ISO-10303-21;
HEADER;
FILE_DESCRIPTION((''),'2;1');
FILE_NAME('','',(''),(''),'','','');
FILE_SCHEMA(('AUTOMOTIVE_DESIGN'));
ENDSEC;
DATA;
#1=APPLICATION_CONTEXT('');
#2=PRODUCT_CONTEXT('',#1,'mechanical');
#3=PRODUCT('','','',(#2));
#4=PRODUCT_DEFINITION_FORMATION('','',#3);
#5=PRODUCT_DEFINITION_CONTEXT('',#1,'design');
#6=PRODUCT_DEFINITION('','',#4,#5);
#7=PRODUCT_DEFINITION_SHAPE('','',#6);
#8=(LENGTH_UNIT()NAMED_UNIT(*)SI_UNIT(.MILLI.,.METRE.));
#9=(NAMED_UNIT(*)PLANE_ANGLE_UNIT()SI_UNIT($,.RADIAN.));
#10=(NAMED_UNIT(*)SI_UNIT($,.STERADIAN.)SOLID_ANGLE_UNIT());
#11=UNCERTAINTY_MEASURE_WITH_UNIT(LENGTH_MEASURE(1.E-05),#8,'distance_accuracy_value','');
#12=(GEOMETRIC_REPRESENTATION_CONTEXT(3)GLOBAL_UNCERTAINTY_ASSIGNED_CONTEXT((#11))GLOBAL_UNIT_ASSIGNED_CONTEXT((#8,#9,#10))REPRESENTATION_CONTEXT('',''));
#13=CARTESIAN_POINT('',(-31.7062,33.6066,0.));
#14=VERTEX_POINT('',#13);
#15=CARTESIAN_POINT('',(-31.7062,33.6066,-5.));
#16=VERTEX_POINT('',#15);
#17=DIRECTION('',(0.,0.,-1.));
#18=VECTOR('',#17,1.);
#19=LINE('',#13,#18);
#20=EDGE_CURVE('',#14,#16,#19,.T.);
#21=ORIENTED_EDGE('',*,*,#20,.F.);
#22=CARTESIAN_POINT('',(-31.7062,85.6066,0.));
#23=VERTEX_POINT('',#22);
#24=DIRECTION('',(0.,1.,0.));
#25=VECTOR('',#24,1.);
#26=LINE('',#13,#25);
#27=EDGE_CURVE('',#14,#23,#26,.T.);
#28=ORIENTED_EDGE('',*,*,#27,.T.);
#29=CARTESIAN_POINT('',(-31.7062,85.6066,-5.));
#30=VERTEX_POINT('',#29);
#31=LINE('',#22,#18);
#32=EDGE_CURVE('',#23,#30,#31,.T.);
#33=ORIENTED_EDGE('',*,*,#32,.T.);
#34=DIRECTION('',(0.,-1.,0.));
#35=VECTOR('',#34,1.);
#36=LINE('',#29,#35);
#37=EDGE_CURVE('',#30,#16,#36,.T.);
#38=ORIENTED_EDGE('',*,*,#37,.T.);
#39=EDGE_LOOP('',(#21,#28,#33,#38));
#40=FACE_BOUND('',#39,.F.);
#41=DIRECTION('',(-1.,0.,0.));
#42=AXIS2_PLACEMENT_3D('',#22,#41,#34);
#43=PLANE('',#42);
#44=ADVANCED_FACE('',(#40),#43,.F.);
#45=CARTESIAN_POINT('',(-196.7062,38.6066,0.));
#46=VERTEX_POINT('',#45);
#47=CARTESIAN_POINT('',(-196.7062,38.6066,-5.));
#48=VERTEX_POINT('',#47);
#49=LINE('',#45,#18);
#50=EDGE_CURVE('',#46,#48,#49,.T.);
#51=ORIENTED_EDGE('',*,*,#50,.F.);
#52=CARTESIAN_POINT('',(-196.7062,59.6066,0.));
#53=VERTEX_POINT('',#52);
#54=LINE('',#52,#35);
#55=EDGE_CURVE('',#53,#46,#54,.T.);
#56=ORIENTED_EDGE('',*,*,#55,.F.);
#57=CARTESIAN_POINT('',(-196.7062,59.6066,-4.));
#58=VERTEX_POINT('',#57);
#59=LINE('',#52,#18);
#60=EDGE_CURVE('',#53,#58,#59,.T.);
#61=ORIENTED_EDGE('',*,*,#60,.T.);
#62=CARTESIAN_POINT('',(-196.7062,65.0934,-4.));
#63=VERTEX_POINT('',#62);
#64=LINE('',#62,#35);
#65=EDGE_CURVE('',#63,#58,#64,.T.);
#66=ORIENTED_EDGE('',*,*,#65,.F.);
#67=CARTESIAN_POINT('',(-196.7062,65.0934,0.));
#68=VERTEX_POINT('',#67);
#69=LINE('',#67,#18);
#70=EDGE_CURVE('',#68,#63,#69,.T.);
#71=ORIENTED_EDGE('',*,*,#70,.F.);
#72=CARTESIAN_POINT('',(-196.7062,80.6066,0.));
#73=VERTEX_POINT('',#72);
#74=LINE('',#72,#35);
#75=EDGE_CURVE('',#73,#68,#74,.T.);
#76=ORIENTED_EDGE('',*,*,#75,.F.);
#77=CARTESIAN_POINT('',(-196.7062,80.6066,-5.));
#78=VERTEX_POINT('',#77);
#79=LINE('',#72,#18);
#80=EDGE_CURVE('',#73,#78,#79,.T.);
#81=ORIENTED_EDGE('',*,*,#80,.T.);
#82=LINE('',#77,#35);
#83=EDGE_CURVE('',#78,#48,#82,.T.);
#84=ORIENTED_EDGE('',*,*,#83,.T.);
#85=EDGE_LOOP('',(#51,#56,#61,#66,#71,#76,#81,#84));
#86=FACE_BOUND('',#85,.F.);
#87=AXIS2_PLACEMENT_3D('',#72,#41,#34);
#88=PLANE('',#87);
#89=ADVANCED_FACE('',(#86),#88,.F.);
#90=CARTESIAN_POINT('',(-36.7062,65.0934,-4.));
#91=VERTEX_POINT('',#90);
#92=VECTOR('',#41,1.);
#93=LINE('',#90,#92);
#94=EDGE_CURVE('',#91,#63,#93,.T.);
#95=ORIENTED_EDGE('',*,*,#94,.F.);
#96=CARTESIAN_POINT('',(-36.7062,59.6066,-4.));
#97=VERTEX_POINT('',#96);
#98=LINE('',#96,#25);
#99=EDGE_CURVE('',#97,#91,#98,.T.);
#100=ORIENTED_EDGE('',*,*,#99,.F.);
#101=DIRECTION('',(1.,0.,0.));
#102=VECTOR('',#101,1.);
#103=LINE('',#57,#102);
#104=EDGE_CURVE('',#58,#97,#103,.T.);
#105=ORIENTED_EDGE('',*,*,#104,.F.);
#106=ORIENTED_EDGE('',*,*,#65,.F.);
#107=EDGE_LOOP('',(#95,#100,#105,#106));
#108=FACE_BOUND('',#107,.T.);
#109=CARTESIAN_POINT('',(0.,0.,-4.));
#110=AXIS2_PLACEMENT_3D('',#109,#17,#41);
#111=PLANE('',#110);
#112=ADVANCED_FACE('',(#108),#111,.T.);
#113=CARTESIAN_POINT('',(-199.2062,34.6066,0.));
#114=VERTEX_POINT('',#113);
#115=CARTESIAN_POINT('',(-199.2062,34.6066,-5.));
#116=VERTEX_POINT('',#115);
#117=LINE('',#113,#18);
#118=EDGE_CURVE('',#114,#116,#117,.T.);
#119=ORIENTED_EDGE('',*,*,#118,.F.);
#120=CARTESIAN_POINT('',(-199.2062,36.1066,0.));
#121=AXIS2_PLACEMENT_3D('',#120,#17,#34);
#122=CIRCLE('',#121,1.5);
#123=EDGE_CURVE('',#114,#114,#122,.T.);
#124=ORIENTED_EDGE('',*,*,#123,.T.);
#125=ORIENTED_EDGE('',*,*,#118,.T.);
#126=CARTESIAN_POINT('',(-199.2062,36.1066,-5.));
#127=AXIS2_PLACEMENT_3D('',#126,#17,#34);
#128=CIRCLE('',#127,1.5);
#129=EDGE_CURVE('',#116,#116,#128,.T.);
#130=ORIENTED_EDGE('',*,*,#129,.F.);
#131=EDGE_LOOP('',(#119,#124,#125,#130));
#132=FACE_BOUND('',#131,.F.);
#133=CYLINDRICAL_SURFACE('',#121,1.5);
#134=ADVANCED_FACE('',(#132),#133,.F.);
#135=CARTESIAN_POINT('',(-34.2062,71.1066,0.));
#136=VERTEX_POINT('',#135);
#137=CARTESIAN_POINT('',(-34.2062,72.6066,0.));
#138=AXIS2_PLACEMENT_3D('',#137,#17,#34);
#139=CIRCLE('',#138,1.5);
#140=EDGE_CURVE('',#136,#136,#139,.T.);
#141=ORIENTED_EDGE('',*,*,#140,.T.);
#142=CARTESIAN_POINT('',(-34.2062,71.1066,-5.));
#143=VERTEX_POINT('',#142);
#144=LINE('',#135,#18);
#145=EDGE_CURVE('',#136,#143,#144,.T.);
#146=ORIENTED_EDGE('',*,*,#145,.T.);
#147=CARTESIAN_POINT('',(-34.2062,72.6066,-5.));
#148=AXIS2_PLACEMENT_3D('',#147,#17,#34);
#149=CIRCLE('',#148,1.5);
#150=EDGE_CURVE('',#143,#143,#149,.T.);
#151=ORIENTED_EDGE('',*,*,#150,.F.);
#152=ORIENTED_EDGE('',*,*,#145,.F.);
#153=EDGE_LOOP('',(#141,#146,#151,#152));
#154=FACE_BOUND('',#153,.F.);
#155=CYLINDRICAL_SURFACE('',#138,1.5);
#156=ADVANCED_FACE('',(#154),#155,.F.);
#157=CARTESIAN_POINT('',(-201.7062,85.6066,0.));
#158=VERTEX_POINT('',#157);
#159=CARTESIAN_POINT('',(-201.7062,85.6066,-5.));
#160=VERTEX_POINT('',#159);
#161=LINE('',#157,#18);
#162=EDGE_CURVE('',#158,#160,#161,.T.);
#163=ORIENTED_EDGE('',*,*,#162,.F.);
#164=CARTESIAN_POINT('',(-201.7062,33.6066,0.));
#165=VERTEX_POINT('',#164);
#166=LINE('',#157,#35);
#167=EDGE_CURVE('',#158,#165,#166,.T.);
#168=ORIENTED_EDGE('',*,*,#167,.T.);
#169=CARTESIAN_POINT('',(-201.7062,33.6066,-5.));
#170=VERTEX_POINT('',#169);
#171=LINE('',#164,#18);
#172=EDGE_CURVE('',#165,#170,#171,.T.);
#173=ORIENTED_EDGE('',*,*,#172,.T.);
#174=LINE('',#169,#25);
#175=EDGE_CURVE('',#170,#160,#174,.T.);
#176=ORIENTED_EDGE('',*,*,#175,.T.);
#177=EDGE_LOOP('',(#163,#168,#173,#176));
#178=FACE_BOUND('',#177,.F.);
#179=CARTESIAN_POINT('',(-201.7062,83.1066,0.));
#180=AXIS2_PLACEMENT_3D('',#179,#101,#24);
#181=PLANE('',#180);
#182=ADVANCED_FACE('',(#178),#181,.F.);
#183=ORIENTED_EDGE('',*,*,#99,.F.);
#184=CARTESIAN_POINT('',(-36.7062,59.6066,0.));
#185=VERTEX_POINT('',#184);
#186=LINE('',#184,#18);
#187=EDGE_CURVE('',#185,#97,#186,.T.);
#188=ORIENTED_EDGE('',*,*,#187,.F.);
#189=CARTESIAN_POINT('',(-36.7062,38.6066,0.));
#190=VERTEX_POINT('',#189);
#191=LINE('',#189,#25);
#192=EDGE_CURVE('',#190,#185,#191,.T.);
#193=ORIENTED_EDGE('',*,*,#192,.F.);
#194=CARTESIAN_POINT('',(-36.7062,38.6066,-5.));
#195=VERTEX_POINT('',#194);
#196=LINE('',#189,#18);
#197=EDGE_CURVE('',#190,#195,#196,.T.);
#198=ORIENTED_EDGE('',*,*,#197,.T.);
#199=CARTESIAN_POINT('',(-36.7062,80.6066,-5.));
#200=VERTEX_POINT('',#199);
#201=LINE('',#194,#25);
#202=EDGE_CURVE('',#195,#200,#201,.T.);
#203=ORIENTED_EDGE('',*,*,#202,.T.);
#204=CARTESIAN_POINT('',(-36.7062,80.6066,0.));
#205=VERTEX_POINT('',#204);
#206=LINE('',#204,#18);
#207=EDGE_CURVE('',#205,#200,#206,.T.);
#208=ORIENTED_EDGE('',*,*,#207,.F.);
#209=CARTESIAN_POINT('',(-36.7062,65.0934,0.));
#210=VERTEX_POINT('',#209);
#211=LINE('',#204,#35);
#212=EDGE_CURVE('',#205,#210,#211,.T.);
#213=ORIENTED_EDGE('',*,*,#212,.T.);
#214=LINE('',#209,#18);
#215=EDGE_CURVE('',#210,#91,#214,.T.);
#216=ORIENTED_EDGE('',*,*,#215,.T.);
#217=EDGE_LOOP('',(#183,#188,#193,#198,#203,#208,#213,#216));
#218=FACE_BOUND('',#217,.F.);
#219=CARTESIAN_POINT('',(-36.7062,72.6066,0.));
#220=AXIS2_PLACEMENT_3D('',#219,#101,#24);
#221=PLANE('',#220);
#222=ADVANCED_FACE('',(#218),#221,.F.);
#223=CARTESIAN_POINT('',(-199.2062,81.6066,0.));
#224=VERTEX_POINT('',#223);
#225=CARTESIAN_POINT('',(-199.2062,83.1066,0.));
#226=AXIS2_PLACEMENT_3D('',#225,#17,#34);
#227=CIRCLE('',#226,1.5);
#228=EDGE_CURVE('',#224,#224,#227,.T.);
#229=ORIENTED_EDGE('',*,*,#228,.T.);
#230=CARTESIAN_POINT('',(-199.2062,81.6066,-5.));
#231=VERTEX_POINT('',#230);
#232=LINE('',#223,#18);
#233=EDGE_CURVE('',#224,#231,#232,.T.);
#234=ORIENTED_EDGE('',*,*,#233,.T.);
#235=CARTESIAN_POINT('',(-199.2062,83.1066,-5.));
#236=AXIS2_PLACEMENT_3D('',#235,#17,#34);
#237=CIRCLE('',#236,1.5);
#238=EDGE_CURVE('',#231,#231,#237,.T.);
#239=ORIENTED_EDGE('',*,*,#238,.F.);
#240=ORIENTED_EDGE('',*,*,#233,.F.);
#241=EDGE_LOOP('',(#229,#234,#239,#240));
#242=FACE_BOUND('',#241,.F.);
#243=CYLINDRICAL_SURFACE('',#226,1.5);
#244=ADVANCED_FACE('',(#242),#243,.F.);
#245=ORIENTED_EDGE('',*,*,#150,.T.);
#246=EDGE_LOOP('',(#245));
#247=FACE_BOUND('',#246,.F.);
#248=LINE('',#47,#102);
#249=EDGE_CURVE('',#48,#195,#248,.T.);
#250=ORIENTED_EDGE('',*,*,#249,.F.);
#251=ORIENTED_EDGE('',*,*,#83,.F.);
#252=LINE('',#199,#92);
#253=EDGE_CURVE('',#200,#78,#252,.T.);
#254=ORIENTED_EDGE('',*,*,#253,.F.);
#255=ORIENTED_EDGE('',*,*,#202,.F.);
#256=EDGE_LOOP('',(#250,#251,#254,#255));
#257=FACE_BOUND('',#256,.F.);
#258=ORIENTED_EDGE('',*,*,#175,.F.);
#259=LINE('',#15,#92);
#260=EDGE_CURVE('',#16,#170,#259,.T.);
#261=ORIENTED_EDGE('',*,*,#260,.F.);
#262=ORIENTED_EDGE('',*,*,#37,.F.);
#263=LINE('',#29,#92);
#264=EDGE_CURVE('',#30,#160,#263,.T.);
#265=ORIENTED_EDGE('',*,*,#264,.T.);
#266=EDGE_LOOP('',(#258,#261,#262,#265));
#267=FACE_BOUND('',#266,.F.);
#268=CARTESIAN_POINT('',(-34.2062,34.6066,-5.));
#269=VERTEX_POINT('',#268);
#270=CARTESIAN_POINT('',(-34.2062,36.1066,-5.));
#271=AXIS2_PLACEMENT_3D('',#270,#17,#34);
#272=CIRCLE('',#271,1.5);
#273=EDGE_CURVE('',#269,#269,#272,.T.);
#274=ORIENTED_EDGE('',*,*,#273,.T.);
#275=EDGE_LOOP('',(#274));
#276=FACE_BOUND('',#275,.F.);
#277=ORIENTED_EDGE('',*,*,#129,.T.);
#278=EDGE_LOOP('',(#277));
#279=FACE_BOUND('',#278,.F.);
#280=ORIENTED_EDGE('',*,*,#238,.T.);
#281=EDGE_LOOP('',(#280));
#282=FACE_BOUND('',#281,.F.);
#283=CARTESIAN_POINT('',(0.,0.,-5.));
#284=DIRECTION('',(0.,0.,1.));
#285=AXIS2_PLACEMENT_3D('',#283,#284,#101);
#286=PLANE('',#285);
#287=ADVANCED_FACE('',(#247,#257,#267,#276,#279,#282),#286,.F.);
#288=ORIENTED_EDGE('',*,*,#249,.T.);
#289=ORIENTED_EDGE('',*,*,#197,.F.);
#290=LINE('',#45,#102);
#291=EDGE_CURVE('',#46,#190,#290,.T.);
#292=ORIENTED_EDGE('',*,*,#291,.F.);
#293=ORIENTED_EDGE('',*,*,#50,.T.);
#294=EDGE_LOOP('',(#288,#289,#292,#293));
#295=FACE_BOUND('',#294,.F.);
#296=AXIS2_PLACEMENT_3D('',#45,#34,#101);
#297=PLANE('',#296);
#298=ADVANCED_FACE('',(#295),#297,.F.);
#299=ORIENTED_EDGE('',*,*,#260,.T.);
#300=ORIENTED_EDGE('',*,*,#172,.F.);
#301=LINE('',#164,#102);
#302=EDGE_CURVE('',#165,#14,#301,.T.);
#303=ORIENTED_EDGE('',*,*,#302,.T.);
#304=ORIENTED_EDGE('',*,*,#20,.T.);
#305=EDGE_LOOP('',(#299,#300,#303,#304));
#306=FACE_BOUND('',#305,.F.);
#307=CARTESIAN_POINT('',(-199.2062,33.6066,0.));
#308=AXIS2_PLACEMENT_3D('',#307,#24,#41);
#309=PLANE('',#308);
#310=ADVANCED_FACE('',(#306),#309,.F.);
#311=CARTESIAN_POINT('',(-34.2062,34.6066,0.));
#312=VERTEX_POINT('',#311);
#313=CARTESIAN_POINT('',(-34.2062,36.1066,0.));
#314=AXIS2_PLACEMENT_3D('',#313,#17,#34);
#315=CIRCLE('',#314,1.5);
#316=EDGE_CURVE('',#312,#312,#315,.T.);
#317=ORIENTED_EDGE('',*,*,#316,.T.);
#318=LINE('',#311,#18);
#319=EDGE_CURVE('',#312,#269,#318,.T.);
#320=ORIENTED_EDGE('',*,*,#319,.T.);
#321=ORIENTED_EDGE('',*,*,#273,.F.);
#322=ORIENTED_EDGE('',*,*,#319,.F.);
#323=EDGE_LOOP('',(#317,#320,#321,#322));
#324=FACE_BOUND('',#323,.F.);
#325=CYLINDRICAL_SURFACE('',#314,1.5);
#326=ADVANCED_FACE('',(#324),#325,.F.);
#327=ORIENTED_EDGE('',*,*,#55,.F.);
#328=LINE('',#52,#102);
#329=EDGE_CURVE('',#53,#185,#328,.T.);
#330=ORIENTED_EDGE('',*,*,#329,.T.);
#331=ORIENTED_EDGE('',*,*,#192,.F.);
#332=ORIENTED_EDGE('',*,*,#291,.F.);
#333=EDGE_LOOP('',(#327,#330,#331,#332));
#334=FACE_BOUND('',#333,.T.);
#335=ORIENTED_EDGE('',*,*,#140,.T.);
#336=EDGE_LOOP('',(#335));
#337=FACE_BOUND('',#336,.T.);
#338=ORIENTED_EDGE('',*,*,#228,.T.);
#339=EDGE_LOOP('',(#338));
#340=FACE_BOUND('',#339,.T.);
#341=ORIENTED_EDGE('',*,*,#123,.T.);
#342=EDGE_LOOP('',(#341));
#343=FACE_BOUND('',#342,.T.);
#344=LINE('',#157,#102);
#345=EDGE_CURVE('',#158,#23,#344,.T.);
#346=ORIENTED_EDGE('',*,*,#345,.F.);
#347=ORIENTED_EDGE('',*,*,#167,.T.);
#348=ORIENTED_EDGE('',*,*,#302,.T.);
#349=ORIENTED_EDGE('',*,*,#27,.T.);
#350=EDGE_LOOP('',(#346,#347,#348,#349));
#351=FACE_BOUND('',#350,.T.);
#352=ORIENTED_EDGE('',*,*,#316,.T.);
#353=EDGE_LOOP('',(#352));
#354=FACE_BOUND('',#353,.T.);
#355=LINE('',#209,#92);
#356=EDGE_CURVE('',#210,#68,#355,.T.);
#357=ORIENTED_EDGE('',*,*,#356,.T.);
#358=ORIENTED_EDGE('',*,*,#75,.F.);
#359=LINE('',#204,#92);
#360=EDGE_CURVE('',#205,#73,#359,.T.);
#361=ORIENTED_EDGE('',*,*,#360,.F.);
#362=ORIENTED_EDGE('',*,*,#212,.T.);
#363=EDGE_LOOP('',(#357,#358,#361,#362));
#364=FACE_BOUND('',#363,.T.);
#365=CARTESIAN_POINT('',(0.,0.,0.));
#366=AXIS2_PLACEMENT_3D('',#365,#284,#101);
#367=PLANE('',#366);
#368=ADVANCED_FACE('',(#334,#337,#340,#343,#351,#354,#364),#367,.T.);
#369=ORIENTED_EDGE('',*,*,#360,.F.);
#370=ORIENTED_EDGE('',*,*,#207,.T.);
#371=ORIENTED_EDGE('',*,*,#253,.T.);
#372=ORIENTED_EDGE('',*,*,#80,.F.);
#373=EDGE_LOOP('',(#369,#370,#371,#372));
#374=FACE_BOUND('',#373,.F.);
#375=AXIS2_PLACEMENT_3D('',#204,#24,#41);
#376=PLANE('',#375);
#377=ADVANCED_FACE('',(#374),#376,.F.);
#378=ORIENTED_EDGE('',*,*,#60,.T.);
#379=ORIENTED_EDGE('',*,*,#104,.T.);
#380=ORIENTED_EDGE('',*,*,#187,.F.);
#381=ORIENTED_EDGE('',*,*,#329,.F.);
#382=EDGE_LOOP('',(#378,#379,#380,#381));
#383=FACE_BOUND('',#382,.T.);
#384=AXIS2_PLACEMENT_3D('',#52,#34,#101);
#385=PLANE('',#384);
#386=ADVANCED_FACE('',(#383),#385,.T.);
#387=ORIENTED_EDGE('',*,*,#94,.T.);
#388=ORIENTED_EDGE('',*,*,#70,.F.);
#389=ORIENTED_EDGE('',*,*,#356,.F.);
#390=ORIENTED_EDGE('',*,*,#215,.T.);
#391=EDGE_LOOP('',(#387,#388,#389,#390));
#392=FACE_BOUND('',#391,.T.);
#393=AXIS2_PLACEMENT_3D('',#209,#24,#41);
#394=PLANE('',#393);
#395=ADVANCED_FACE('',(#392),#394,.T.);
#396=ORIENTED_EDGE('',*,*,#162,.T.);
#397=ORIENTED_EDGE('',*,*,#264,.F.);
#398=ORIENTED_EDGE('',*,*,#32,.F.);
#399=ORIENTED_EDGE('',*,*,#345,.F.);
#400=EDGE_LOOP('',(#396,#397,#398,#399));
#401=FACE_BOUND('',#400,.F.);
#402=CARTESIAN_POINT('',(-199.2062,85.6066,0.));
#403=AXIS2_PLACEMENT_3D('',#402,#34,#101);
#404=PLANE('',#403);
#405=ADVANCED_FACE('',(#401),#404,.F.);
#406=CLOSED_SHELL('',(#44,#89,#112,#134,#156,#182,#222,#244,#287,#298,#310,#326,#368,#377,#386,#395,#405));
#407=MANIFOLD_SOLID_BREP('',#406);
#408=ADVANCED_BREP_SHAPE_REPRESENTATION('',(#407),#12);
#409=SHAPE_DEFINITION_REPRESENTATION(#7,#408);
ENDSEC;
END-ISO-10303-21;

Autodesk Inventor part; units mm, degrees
ref_plane "YZ Plane" through (0, 0, 0) normal (1, 0, 0) x (0, 1, 0)
ref_plane "XZ Plane" through (0, 0, 0) normal (0, 1, 0) x (-1, 0, 0)
sketch "Sketch1" plane through (0, 0, 0) normal (0, 0, 1) x (1, 0, 0)
  line L0 (-201.7062, 85.6066) -> (-31.7062, 85.6066)
  line L1 (-31.7062, 85.6066) -> (-31.7062, 33.6066)
  line L2 (-31.7062, 33.6066) -> (-201.7062, 33.6066)
  line L3 (-201.7062, 33.6066) -> (-201.7062, 85.6066)
  line L4 (-36.7062, 80.6066) -> (-196.7062, 80.6066)
  line L5 (-196.7062, 38.6066) -> (-36.7062, 38.6066)
  line L6 (-196.7062, 59.6066) -> (-36.7062, 59.6066)
  line L7 (-36.7062, 65.0934) -> (-196.7062, 65.0934)
  line L8 (-36.7062, 38.6066) -> (-36.7062, 59.6066)
  line L9 (-36.7062, 65.0934) -> (-36.7062, 80.6066)
  line L10 (-196.7062, 80.6066) -> (-196.7062, 65.0934)
  line L11 (-196.7062, 59.6066) -> (-196.7062, 38.6066)
  line L12 (-196.7062, 80.6066) -> (-201.7062, 80.6066)
  line L13 (-36.7062, 80.6066) -> (-31.7062, 80.6066)
  line L14 (-36.7062, 80.6066) -> (-36.7062, 85.6066)
  line L15 (-36.7062, 38.6066) -> (-36.7062, 33.6066)
  line L16 (-36.7062, 38.6066) -> (-31.7062, 38.6066)
  line L17 (-196.7062, 38.6066) -> (-201.7062, 38.6066)
  line L18 (-196.7062, 38.6066) -> (-196.7062, 33.6066)
  line L19 (-196.7062, 80.6066) -> (-196.7062, 85.6066)
  circle A0 centre (-199.2062, 83.1066) radius 2.5
  circle A1 centre (-199.2062, 36.1066) radius 2.5
  circle A2 centre (-34.2062, 36.1066) radius 2.5
  circle A3 centre (-34.2062, 72.6066) radius 2.5
  point P0 (0, 0)
extrude "Extrusion1" add sketch "Sketch1" against normal blind 5 contours L19 A0 L0 | L0 L14 L4 L19 | L0 L1 L13 L14 | A0 L3 L0 | A0 | L19 L12 A0 | L13 L1 A3 L9 | A0 L12 L3 | L10 L7 L9 A3 L1 L16 L8 L6 L11 L17 L3 L12 | A3 | L17 A1 L3 | L1 A2 L16 | A1 L2 L3 | A1 | L17 L18 A1 | A2 | L1 L2 A2 | A2 L15 L16 | A1 L18 L2 | L5 L15 L2 L18 | L2 L15 A2
ref_plane "Work Plane1" through (-31.7062, 85.6066, -5) normal (0, 0, 1) x (1, 0, 0)
sketch "Sketch2" plane through (0, 0, -5) normal (0, 0, -1) x (-1, 0, 0)
  line L0 (36.7062, 65.0934) -> (196.7062, 65.0934)
  line L1 (196.7062, 65.0934) -> (196.7062, 59.6066)
  line L2 (196.7062, 59.6066) -> (36.7062, 59.6066)
  line L3 (36.7062, 59.6066) -> (36.7062, 65.0934)
  point P0 (0, 0)
extrude "Extrusion2" cut sketch "Sketch2" against normal blind 1
hole "Hole1" at (-199.2062, 83.1066, 0) direction (0, 0, -1) diameter 3 depth 5 tip angle 118
hole "Hole2" at (-199.2062, 36.1066, 0) direction (0, 0, -1) diameter 3 depth 5 tip angle 118
hole "Hole4" at (-34.2062, 36.1066, 0) direction (0, 0, -1) diameter 3 depth 5 tip angle 118
hole "Hole5" at (-34.2062, 72.6066, 0) direction (0, 0, -1) diameter 3 depth 5 tip angle 118
thread "Thread1" size "M3x0.5" class "6H" standard "ANSI Metric M Profile" full length
thread "Thread2" size "M3x0.5" class "6H" standard "ANSI Metric M Profile" full length
thread "Thread3" size "M3x0.5" class "6H" standard "ANSI Metric M Profile" full length
thread "Thread4" size "M3x0.5" class "6H" standard "ANSI Metric M Profile" full length
properties part number "lateral suport"
